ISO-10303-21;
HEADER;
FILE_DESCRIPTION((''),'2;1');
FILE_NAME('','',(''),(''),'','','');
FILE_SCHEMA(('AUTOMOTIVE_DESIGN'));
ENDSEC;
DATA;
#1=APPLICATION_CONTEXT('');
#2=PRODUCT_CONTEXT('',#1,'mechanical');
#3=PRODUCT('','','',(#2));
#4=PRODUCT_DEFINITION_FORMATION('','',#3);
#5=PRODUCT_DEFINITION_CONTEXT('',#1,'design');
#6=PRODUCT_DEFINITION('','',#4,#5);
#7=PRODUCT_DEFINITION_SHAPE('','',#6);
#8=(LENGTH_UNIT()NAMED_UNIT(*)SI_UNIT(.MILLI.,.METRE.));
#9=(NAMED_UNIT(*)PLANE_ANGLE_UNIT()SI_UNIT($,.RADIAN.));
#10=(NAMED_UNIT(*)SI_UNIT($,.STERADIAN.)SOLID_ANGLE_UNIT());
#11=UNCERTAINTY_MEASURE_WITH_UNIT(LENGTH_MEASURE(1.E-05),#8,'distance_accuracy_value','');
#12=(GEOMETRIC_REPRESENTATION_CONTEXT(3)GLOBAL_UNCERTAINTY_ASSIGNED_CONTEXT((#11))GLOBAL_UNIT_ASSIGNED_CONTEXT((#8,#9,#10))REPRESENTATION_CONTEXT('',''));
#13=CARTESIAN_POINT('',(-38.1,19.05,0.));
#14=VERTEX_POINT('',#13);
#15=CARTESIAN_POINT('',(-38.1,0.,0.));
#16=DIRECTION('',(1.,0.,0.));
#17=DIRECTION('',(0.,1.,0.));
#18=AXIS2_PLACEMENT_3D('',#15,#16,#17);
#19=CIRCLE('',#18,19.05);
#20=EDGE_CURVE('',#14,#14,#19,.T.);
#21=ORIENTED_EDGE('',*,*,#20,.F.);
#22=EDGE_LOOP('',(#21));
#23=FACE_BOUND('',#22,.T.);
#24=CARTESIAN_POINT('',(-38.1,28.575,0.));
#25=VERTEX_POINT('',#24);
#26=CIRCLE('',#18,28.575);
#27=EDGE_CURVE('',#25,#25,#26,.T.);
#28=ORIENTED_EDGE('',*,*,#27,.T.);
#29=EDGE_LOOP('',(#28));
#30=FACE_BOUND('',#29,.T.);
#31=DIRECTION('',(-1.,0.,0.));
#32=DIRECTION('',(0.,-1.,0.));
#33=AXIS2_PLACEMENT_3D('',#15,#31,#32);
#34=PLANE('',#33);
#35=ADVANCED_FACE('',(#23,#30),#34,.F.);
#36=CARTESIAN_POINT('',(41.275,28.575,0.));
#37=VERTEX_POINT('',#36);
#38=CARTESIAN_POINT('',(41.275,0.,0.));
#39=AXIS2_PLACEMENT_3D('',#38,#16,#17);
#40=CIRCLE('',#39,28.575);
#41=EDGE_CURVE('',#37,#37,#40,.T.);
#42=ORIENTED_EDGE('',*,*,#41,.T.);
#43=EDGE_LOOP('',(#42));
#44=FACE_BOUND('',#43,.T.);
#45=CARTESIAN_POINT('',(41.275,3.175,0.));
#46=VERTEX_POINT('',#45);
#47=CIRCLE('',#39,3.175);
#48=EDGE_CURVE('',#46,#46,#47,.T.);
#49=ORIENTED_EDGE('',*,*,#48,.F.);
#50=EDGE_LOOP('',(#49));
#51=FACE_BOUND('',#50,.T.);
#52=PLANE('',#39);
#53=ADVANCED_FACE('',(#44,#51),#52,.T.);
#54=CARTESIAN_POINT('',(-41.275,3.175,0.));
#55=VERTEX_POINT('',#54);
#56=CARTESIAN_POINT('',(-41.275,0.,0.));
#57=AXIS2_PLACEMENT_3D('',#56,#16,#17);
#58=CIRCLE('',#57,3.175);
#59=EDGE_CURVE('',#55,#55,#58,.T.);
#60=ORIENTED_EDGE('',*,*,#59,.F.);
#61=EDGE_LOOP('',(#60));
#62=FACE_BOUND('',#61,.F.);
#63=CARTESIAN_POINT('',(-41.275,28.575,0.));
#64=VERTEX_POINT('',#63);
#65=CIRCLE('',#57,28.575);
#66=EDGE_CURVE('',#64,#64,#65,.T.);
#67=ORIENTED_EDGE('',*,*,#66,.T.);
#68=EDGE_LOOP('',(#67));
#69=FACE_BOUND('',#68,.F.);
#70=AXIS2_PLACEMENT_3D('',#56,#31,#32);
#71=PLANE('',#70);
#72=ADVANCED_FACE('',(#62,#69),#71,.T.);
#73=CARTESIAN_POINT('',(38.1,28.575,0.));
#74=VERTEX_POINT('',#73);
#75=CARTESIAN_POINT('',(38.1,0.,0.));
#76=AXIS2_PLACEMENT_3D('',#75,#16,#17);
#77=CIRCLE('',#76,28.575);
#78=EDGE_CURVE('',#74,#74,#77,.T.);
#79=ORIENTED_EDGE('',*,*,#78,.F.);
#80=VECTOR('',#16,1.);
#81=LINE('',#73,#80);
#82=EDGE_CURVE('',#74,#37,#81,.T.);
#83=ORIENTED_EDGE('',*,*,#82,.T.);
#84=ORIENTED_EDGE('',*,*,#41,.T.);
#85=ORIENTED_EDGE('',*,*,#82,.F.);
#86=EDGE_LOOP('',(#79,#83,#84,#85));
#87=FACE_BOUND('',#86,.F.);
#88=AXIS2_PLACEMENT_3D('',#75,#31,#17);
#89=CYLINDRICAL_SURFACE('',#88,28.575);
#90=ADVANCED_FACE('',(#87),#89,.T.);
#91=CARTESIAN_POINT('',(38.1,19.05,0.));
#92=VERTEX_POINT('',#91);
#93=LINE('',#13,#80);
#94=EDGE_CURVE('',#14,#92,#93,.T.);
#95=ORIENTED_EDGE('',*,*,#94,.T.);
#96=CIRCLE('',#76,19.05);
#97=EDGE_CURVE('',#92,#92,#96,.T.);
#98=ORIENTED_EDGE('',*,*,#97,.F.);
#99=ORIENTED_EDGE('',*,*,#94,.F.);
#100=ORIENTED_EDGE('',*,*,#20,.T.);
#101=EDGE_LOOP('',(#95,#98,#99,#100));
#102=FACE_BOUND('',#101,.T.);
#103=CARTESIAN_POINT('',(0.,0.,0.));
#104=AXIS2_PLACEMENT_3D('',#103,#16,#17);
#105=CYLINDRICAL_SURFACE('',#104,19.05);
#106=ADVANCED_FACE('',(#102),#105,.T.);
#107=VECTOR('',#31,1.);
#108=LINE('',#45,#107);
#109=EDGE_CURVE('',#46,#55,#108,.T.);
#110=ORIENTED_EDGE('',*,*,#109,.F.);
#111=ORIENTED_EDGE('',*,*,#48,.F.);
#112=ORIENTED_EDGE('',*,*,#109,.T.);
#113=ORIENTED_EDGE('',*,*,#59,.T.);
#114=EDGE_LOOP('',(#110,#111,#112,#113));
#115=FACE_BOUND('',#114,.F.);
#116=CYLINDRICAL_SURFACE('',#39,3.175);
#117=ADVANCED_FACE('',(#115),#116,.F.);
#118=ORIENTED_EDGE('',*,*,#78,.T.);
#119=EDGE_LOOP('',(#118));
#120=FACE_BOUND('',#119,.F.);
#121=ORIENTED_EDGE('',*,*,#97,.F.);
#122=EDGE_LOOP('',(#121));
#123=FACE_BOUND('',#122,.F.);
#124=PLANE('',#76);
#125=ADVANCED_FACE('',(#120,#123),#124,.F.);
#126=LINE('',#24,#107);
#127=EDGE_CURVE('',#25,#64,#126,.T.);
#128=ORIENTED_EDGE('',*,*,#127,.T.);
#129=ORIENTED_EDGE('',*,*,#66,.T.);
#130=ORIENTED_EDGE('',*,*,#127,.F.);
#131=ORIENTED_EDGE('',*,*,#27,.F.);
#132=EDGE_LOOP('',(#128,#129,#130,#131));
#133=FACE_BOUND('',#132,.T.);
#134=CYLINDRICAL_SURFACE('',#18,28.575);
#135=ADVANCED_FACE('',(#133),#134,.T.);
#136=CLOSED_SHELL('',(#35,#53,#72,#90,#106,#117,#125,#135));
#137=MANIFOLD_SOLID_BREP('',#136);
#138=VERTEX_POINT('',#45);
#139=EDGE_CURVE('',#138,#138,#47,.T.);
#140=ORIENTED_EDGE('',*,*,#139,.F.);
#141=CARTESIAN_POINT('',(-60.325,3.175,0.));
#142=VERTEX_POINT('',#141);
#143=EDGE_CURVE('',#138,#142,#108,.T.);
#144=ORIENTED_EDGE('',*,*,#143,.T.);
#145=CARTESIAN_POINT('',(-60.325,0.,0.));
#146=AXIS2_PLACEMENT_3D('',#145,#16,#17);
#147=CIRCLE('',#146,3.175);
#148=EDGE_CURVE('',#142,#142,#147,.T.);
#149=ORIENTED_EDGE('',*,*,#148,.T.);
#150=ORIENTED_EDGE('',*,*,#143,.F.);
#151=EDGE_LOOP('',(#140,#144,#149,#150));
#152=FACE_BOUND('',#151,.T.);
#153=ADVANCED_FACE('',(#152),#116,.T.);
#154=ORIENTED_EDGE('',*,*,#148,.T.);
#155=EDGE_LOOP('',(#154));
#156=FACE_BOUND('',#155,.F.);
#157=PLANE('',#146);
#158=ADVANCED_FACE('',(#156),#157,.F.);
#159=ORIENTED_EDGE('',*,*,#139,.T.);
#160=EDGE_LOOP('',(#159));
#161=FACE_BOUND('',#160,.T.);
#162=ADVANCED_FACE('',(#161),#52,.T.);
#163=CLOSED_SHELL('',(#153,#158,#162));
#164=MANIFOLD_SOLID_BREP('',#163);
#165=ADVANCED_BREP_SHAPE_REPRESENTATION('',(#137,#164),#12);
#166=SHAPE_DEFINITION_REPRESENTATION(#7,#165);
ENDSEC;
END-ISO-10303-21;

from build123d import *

# Parameters (mm, degrees)
F0_R     = 19.05
F1_DEPTH = 38.1
F2_R     = 28.575
F3_DEPTH = 3.175
F5_R     = 3.175
F6_DEPTH = 101.6


with BuildPart() as f1:
    # F0 (on Right) → F1 (new body)
    with BuildSketch(Plane.YZ):
        Circle(F0_R)
    extrude(amount=F1_DEPTH)

    # F2 (on face) → F3 (join)
    with BuildSketch(Plane.YZ.offset(38.1)):
        Circle(F2_R)
    extrude(amount=F3_DEPTH)

    # F4: F1 across plane


with BuildPart() as f1_1:
    add(f1.part)
    add(f1.part.mirror(Plane.YZ))


with BuildPart() as f6:
    # F5 (on face) → F6 (new body)
    with BuildSketch(Plane.YZ.offset(41.275)):
        Circle(F5_R)
    extrude(amount=-F6_DEPTH)


with BuildPart() as f1_2:
    add(f1_1.part)

    # F7: cut F6
    add(f6.part, mode=Mode.SUBTRACT)


solid = Compound([f6.part, f1_2.part])
